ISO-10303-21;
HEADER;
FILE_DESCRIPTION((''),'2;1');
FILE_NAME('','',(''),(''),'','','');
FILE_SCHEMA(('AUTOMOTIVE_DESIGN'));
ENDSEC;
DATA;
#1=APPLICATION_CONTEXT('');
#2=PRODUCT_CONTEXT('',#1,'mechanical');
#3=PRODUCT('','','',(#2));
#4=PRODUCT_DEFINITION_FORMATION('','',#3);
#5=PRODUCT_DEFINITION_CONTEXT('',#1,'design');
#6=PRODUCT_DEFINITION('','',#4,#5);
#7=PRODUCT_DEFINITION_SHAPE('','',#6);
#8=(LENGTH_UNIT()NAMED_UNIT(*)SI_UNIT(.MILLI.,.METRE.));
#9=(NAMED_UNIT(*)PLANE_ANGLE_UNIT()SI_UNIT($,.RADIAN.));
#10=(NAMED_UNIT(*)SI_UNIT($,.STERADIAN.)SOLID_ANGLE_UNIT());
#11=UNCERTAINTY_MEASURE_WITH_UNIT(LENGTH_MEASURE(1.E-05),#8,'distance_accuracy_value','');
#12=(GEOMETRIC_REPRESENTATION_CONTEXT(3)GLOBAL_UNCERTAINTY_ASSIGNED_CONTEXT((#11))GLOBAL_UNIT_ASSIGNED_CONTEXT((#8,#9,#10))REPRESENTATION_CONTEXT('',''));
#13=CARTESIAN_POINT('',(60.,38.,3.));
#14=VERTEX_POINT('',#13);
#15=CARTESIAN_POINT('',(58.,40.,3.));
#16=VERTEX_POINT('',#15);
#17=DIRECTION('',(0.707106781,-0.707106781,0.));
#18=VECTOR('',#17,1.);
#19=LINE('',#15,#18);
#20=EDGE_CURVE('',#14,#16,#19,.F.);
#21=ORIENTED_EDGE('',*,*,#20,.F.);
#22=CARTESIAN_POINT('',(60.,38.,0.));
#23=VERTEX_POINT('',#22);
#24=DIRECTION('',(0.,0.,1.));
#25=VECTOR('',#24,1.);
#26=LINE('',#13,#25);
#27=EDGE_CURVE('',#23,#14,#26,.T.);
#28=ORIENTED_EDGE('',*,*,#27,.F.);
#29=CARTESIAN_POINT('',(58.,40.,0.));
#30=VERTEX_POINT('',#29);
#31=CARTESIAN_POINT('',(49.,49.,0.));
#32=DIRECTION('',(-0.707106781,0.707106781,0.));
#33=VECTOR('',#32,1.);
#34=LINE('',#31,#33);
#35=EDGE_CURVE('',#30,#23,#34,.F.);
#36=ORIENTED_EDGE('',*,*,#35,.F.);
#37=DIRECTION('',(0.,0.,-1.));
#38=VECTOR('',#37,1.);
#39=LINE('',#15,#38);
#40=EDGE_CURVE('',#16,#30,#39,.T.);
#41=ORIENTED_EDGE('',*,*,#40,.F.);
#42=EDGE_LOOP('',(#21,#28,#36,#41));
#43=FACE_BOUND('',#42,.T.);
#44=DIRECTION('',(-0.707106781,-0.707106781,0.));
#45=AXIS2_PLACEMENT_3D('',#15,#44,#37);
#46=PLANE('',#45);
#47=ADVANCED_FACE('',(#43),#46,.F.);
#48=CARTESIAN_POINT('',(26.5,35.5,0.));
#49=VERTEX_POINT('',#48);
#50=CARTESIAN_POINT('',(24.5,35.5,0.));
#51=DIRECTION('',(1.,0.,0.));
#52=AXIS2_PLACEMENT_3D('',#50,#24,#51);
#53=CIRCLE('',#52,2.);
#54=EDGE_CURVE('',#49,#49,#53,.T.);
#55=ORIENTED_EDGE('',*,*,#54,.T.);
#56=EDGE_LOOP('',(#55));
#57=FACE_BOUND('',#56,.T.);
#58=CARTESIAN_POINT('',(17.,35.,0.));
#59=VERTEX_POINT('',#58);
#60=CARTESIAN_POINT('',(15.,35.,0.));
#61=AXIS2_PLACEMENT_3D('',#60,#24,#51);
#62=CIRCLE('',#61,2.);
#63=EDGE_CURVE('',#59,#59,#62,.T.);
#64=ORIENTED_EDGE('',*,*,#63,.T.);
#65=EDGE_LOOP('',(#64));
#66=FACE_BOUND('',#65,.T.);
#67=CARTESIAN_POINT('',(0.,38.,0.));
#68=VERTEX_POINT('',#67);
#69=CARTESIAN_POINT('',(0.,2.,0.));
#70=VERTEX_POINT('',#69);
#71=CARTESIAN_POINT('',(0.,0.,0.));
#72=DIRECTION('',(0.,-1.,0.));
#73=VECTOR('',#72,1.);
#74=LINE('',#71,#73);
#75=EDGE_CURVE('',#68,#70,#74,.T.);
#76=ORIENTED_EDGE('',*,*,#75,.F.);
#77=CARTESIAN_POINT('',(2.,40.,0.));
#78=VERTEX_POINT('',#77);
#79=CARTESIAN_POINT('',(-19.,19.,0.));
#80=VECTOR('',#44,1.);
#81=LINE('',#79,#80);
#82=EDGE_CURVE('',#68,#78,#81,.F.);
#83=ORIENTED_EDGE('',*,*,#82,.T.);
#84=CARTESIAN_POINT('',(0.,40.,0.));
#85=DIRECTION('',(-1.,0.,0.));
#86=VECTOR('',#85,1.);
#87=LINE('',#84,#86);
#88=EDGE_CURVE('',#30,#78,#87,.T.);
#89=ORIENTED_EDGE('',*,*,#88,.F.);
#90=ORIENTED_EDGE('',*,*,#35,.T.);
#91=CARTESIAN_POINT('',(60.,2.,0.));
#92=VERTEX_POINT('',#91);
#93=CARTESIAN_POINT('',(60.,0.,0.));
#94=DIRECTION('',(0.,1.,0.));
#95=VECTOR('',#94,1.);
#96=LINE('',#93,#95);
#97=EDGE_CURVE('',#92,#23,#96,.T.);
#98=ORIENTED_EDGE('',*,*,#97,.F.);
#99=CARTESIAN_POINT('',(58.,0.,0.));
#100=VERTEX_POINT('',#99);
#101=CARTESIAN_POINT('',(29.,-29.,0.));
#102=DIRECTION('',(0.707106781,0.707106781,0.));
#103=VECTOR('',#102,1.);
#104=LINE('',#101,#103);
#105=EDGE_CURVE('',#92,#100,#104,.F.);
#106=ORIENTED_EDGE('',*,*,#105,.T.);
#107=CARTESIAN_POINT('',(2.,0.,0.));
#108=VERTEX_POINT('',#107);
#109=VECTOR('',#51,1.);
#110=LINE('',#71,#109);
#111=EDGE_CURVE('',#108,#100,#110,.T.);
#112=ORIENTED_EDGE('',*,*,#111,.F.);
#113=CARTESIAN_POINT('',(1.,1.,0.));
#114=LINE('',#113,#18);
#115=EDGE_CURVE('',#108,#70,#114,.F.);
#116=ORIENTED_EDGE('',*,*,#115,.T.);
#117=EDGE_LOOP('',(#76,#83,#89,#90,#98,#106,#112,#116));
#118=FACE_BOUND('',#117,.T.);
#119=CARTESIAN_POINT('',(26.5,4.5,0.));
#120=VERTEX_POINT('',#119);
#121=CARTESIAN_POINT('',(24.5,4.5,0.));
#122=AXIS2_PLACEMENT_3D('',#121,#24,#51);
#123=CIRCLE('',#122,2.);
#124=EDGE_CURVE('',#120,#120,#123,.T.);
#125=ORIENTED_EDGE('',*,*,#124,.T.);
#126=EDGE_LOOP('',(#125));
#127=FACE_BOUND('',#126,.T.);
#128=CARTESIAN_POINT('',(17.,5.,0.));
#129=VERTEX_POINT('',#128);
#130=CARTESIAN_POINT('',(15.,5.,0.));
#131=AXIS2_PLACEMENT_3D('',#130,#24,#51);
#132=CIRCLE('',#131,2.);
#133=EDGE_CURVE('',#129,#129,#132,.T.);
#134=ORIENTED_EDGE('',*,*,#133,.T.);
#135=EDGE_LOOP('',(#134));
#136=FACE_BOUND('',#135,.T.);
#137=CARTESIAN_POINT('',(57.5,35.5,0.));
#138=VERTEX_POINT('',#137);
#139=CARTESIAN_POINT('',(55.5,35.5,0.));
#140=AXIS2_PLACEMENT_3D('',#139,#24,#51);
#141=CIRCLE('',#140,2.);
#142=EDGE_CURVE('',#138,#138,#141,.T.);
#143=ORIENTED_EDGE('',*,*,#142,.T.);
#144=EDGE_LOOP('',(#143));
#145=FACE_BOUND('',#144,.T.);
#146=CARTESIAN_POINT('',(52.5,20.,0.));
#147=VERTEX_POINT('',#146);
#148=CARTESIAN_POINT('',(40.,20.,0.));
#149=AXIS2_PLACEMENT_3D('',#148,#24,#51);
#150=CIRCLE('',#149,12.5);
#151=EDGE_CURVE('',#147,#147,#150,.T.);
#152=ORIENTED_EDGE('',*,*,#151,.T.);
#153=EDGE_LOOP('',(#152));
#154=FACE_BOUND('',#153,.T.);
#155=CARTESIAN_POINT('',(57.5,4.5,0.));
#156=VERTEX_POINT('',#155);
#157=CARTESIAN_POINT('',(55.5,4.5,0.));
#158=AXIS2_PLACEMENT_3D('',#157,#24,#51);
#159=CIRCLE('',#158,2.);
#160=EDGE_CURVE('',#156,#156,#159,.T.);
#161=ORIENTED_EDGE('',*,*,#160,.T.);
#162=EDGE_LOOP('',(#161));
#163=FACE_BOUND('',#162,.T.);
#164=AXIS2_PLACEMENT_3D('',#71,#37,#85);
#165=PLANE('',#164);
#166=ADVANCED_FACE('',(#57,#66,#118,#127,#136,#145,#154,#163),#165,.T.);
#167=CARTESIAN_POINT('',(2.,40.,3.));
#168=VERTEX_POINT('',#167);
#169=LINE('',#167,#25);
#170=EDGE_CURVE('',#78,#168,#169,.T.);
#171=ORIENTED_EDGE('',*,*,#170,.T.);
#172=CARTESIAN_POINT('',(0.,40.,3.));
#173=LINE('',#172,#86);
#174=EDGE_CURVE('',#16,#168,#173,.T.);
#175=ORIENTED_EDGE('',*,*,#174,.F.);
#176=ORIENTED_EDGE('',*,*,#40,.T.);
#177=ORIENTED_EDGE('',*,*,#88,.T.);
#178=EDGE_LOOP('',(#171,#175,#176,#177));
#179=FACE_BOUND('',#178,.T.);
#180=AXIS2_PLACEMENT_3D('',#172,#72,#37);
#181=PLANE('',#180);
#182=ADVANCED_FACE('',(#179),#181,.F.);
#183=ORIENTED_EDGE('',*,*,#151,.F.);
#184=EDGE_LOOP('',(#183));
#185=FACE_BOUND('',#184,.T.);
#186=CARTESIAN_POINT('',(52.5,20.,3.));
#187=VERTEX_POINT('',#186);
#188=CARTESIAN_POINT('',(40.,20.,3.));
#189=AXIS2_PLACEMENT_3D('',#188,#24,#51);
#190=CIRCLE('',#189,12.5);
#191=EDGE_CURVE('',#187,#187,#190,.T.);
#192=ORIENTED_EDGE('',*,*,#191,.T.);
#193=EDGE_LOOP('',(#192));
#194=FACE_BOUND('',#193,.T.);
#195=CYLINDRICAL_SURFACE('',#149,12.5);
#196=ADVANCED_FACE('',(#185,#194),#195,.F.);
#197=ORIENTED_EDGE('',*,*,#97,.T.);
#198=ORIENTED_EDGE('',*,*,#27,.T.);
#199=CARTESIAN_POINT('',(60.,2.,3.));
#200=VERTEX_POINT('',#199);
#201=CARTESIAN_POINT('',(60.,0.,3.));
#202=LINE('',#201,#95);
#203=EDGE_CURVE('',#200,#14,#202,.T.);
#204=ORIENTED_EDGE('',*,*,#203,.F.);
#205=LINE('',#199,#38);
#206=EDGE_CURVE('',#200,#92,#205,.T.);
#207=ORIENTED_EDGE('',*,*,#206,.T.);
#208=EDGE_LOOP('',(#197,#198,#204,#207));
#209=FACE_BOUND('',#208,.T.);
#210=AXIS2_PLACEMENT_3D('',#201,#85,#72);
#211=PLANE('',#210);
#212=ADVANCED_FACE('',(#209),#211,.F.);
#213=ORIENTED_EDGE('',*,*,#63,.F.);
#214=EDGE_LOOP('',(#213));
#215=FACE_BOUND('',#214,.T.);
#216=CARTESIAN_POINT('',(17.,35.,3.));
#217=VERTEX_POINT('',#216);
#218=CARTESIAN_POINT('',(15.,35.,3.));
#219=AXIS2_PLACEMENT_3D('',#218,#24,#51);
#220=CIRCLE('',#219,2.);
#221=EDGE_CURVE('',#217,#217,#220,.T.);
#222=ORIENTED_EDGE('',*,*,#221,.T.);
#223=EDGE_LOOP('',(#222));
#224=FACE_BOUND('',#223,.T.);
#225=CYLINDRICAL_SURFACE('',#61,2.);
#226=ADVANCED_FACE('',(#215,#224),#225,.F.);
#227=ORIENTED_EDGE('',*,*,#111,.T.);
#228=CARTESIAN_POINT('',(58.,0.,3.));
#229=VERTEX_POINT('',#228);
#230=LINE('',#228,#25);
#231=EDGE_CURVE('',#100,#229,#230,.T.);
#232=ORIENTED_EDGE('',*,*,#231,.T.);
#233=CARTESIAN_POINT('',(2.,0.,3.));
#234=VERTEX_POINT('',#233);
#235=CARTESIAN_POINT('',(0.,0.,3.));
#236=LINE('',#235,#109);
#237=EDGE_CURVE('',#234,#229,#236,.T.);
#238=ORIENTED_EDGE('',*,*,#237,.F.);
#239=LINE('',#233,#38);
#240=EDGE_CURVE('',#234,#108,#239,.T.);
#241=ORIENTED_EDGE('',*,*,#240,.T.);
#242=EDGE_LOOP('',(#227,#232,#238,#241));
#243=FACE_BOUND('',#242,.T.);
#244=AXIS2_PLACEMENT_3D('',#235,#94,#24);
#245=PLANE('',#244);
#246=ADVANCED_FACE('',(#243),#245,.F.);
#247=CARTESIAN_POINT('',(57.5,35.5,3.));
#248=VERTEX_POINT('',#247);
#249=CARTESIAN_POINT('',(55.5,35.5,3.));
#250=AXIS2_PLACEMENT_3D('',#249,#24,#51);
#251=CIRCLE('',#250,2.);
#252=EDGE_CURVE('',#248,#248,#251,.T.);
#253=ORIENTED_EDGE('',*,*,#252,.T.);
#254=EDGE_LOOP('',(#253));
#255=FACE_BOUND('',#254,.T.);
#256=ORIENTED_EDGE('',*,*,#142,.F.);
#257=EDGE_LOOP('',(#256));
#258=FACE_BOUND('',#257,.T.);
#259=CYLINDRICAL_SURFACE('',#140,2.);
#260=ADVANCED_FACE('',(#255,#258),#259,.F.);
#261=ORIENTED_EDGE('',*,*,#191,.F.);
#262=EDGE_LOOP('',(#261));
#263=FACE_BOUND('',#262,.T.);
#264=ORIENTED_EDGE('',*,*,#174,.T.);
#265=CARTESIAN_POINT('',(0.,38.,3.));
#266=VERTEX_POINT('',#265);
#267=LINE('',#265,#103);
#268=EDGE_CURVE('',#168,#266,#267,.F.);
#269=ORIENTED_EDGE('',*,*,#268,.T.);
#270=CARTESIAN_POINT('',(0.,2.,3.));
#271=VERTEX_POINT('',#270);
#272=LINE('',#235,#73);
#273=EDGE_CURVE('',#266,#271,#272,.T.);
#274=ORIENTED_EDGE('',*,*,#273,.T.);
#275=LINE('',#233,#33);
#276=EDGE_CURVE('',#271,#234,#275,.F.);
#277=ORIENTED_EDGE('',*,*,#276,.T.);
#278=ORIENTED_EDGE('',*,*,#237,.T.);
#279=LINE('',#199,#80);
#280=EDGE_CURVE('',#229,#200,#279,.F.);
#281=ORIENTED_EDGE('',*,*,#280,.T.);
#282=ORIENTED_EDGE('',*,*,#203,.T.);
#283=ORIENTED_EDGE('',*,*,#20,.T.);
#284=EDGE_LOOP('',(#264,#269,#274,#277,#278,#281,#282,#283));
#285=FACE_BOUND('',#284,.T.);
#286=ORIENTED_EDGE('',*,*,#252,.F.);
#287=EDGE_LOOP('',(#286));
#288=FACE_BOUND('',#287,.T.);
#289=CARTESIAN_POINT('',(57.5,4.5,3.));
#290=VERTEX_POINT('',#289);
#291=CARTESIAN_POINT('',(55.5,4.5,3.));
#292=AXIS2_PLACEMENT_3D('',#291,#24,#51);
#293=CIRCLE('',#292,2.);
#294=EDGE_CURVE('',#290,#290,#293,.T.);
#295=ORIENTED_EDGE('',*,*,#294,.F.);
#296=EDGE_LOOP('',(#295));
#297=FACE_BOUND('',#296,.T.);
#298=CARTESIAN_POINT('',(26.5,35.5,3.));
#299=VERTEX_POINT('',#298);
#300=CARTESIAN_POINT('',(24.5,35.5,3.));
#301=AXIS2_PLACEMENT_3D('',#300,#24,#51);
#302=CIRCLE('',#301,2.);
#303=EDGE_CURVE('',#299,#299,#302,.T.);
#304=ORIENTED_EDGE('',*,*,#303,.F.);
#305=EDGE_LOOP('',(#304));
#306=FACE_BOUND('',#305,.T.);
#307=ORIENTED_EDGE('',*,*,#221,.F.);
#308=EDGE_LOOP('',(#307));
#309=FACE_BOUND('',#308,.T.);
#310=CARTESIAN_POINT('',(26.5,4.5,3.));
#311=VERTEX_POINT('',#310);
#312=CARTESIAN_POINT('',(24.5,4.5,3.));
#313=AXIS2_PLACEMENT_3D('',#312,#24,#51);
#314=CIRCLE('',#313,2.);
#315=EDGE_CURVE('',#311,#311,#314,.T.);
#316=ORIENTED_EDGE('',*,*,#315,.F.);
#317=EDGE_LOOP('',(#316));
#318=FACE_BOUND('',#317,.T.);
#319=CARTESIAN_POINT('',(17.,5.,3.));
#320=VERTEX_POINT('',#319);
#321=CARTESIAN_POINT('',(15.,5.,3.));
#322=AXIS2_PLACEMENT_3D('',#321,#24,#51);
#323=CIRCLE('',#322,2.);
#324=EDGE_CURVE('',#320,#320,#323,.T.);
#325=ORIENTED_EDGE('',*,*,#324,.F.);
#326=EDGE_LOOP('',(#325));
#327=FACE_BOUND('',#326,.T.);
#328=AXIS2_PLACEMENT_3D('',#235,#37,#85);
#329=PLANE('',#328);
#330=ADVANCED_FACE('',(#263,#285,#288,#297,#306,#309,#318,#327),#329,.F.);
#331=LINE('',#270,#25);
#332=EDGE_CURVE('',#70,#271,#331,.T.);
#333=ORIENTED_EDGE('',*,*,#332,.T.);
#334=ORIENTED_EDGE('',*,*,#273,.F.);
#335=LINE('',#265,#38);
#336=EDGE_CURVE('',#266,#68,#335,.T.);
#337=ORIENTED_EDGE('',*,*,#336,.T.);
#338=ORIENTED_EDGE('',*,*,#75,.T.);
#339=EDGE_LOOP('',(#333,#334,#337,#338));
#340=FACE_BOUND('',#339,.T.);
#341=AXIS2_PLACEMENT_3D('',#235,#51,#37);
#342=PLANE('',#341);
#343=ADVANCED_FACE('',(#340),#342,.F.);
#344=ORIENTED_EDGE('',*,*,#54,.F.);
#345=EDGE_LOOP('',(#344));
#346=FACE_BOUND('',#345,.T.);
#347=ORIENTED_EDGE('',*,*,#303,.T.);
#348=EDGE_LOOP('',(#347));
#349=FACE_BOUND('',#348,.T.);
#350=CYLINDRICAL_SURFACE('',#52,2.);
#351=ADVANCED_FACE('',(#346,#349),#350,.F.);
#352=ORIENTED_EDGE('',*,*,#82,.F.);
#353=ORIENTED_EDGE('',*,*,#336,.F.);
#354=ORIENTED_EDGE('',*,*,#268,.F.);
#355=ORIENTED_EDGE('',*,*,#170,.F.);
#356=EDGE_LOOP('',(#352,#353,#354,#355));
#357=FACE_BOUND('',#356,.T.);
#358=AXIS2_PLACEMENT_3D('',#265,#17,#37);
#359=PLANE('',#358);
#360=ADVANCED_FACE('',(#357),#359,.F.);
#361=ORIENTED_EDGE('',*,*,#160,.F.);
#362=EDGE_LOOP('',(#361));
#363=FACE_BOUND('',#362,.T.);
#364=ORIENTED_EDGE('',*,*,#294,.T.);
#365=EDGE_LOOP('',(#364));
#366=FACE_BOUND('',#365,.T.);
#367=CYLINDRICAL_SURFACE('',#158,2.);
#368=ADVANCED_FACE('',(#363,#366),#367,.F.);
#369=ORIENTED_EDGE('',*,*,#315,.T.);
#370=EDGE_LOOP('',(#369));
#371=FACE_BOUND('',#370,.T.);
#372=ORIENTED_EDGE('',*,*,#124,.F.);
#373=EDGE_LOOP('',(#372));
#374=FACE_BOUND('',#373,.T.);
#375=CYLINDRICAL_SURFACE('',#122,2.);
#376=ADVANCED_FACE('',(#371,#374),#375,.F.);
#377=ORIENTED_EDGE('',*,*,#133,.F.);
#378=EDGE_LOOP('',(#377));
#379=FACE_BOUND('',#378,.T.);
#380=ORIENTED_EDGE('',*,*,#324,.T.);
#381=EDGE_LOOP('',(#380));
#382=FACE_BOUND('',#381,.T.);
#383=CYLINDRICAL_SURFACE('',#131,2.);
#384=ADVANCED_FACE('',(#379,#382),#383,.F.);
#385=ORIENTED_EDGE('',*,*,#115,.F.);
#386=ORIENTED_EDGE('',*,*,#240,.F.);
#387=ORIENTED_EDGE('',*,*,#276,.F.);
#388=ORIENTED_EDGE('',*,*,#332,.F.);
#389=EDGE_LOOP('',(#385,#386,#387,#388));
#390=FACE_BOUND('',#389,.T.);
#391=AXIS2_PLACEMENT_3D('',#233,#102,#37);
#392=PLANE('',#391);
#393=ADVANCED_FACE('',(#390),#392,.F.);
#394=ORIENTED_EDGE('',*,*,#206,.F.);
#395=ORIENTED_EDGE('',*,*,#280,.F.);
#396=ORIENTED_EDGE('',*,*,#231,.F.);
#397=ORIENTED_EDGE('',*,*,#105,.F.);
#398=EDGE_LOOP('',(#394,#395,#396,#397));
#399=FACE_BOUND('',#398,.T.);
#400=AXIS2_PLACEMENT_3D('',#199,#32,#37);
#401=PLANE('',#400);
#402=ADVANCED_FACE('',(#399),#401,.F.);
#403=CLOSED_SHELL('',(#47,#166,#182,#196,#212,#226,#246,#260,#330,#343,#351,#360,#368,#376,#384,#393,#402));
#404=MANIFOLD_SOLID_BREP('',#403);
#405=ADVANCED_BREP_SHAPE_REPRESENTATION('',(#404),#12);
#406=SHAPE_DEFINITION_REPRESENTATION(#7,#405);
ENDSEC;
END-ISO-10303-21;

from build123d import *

# Parameters (mm, degrees)
SKETCH1_W           = 60
SKETCH1_H           = 40
BOSS_EXTRUDE1_DEPTH = 3
SKETCH2_R           = 2
SKETCH2_R_2         = 12.5
CUT_EXTRUDE1_DEPTH  = 73.173402303
CHAMFER1_SIZE       = 2


with BuildPart() as part:
    # Sketch1 → Boss-Extrude1 (new body)
    with BuildSketch(Plane.XY):
        with Locations((30, 20)):
            Rectangle(SKETCH1_W, SKETCH1_H)
    extrude(amount=BOSS_EXTRUDE1_DEPTH)

    # Sketch2 → Cut-Extrude1 (cut, through all)
    with BuildSketch(Plane.XY.offset(3)):
        with Locations((24.5, 35.5)):
            Circle(SKETCH2_R)
        with Locations((55.5, 35.5)):
            Circle(SKETCH2_R)
        with Locations((55.5, 4.5)):
            Circle(SKETCH2_R)
        with Locations((24.5, 4.5)):
            Circle(SKETCH2_R)
        with Locations((40, 20)):
            Circle(SKETCH2_R_2)
        with Locations((15, 35)):
            Circle(SKETCH2_R)
        with Locations((15, 5)):
            Circle(SKETCH2_R)
    extrude(amount=-CUT_EXTRUDE1_DEPTH, mode=Mode.SUBTRACT)

    # Chamfer1
    chamfer1_edges = [part.edges().sort_by_distance(p)[0] for p in [
        (0, 40, 1.5),
        (60, 40, 1.5),
        (60, 0, 1.5),
        (0, 0, 1.5),
    ]]
    chamfer(chamfer1_edges, length=CHAMFER1_SIZE)


solid = part.part
